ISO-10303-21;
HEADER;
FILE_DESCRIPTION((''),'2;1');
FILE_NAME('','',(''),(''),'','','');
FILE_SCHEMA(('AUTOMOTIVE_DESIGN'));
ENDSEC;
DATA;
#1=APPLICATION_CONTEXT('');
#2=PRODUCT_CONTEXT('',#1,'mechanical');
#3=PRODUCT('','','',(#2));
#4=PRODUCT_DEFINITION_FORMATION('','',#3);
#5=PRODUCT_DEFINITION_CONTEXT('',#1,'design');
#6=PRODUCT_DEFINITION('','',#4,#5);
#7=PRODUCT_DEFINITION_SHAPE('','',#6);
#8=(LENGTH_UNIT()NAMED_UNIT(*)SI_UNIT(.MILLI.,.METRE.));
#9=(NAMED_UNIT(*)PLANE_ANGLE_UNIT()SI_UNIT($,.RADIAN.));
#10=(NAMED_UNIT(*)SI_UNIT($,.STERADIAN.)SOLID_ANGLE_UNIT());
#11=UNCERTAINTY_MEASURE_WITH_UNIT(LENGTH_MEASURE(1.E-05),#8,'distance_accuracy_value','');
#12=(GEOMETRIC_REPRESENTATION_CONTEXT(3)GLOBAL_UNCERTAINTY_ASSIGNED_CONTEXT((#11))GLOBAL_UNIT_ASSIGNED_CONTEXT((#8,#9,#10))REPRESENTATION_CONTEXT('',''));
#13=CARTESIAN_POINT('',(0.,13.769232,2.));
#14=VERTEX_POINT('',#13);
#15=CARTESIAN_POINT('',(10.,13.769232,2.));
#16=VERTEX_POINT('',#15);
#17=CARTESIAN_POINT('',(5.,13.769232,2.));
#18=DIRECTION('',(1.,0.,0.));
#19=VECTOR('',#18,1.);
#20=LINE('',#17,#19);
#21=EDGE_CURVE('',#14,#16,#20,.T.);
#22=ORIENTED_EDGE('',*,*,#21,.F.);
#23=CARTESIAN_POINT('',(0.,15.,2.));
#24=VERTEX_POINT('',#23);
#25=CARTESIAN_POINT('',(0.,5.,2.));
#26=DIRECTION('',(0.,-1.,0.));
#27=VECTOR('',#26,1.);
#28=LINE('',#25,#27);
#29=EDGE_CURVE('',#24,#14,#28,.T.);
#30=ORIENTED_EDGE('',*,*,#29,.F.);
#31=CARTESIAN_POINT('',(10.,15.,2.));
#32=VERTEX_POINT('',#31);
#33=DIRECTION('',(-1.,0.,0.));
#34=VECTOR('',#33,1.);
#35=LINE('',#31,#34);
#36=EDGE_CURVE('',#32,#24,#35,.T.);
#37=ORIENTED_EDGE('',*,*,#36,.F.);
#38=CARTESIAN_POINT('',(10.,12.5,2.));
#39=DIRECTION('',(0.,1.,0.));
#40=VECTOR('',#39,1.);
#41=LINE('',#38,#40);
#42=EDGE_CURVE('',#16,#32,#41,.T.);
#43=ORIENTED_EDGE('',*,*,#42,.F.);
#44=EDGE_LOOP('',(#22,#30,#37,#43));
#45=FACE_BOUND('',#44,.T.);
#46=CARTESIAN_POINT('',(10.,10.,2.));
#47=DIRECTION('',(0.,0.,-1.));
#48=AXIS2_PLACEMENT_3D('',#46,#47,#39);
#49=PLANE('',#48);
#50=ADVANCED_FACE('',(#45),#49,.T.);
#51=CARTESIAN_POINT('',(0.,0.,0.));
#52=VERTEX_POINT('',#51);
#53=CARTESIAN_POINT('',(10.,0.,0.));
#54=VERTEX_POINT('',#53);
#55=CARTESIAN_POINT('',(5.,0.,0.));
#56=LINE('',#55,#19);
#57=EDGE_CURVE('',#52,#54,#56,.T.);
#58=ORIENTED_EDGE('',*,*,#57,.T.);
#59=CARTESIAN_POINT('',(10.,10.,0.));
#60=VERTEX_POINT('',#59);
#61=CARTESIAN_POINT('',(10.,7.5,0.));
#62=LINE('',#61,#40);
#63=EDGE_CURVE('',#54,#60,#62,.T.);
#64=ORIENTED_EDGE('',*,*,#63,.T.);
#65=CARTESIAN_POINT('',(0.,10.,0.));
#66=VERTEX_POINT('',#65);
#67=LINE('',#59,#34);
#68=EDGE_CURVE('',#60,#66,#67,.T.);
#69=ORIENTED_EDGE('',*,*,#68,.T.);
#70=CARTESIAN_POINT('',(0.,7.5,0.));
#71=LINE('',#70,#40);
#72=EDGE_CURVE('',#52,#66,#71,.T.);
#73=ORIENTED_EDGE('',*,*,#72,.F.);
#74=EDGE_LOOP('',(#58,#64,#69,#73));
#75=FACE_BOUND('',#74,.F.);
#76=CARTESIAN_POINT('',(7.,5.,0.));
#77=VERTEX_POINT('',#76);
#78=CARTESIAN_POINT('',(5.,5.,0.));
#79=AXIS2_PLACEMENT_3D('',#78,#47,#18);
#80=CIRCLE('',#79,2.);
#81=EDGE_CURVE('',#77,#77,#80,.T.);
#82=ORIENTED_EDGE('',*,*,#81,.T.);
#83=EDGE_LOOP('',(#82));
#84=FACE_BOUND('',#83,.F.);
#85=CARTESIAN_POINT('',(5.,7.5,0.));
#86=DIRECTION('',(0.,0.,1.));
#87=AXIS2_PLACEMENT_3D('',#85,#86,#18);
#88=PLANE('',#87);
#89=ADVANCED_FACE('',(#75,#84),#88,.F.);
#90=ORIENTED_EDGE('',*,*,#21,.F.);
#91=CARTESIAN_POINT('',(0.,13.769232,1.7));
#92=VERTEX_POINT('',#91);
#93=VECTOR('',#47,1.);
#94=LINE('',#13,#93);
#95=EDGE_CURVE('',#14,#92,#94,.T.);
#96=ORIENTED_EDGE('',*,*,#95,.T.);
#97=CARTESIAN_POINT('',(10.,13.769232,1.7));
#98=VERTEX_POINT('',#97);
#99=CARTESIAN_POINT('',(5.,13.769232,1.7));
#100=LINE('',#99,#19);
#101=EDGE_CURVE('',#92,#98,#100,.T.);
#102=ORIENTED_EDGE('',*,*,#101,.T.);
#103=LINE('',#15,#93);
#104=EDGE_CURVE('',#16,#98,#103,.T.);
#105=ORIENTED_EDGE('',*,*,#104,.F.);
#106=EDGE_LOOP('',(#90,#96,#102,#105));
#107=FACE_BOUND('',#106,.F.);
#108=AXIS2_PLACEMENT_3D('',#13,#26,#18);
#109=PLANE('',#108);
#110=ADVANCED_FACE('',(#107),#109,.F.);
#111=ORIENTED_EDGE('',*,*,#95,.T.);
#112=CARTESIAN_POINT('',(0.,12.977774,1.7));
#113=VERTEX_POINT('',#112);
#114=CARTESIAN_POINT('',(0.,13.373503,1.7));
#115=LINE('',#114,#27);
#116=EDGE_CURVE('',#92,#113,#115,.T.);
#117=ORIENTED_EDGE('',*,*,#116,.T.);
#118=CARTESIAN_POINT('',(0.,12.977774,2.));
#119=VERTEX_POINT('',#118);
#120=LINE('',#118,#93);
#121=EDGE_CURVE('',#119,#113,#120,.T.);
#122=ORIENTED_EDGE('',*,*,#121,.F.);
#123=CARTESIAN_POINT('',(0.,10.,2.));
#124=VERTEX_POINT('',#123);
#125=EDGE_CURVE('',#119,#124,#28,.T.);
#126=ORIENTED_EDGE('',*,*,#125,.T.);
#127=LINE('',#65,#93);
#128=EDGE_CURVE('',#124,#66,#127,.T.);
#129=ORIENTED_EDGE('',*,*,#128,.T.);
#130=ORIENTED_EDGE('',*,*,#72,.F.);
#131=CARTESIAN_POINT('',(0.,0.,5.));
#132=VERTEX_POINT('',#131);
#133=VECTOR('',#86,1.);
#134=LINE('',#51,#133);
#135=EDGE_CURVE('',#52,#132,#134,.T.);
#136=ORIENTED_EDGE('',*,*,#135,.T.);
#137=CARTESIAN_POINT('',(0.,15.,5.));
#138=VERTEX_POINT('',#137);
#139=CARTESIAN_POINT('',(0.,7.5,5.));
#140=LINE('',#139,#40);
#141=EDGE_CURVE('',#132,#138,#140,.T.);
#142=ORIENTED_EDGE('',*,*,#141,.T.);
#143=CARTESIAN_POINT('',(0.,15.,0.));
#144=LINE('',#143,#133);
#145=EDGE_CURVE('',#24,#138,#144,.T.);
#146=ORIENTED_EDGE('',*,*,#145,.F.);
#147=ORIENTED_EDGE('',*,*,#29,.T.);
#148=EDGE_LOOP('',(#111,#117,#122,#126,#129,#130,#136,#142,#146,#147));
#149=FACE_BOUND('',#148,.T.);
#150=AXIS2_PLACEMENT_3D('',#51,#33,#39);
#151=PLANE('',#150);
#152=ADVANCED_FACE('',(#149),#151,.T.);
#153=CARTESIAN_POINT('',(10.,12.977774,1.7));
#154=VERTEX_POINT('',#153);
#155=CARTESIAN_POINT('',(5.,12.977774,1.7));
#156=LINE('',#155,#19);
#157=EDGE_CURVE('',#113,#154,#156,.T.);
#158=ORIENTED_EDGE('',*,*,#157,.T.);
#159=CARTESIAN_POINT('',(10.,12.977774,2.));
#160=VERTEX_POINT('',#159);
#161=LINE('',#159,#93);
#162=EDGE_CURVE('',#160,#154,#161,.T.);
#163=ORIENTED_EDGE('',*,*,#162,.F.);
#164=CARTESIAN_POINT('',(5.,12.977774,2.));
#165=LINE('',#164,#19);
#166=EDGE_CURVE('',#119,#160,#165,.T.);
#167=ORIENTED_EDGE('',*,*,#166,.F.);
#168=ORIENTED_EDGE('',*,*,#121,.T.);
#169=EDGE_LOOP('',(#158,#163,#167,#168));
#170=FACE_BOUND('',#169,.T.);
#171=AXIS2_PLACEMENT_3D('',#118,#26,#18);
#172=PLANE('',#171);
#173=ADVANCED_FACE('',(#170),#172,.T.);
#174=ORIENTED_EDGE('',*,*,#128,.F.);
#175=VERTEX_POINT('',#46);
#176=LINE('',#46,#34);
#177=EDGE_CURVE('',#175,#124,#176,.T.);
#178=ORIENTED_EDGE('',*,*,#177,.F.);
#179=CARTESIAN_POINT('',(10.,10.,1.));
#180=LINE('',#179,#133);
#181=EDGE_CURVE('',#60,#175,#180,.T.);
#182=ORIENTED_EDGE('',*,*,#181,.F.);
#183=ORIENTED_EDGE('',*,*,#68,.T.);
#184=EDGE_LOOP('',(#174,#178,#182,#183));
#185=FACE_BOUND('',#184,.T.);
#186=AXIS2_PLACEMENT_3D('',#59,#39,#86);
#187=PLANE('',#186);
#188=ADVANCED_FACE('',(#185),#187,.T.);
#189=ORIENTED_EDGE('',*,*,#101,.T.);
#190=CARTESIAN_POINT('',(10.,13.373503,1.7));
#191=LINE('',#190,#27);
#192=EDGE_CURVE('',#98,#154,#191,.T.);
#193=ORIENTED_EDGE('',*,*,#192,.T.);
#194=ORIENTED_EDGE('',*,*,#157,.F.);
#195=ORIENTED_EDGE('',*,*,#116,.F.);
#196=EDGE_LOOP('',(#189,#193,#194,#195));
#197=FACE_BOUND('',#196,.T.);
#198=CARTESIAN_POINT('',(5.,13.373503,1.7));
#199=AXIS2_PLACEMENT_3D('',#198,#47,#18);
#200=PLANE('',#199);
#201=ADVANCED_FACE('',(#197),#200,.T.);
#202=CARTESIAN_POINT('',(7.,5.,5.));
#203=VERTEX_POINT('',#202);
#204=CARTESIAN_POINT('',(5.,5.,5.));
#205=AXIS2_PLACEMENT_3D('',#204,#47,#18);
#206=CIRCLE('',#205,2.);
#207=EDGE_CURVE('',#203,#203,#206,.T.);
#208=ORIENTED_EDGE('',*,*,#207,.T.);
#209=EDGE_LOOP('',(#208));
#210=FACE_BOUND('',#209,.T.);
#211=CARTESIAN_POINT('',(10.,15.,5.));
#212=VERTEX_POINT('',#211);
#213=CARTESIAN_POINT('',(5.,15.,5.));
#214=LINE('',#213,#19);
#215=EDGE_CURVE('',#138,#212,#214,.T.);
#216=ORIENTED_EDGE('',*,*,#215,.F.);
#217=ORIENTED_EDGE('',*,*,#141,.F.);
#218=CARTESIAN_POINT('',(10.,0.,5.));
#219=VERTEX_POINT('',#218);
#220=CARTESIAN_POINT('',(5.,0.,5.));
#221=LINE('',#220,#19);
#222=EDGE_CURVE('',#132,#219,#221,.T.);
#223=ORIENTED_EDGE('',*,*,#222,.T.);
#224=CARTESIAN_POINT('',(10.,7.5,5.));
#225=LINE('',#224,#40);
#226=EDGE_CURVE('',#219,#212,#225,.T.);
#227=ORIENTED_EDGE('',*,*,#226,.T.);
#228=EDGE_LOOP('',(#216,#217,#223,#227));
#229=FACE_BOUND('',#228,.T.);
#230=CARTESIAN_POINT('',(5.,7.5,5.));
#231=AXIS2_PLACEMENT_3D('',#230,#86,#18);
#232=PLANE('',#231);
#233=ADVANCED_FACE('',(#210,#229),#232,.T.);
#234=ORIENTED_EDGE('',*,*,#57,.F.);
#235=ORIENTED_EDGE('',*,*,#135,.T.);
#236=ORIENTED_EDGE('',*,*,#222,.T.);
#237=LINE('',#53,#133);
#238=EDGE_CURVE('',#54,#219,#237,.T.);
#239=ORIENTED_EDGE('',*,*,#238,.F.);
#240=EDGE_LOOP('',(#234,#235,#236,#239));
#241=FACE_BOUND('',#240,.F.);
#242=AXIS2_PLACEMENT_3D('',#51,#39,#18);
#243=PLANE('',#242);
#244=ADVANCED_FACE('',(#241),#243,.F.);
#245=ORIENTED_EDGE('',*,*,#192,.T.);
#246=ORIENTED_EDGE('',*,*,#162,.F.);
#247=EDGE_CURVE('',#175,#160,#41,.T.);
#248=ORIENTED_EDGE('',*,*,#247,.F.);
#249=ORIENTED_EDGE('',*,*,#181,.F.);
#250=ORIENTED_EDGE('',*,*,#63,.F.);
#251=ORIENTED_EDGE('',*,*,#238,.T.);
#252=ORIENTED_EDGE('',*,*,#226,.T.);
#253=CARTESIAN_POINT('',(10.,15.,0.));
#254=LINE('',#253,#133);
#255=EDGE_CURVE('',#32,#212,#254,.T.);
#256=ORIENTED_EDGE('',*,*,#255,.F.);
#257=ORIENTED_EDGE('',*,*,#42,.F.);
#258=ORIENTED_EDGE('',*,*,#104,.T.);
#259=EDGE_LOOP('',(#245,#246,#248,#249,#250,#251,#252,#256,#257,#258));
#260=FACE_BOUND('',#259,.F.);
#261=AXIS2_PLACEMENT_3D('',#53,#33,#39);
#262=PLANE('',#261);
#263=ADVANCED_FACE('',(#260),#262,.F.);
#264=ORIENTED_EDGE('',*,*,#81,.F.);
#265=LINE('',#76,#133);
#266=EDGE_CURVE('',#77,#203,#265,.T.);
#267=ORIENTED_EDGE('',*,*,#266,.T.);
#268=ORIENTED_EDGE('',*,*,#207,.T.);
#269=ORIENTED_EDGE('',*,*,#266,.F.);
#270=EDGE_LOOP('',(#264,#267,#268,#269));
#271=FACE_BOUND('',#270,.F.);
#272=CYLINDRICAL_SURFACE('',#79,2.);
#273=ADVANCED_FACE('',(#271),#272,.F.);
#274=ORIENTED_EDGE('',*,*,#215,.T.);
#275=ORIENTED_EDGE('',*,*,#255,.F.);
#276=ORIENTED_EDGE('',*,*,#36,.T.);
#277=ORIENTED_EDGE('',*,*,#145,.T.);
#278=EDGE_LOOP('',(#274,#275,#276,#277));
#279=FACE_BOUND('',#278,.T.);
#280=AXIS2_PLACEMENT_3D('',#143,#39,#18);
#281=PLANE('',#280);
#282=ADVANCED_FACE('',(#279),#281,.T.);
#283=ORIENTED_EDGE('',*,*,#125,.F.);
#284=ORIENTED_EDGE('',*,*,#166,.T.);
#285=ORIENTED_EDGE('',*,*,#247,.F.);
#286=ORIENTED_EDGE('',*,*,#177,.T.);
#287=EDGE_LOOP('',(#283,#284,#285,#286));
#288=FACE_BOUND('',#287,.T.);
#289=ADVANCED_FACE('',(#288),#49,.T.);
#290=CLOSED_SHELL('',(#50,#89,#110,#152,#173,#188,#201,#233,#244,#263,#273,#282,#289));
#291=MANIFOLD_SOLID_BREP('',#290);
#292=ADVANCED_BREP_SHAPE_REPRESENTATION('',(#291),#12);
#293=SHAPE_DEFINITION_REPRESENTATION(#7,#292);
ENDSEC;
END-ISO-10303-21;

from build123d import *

# Parameters (mm, degrees)
F0_W     = 10
F0_H     = 15
F1_DEPTH = 5
F2_W     = 5
F2_H     = 2
F3_DEPTH = 25
F4_R     = 2
F5_DEPTH = 25
F6_W     = 10
F6_H     = 0.791458
F7_DEPTH = 0.3


with BuildPart() as f1:
    # F0 (on Top) → F1 (new body)
    with BuildSketch(Plane.XY):
        with Locations((5, 7.5)):
            Rectangle(F0_W, F0_H)
    extrude(amount=F1_DEPTH)

    # F2 (on face) → F3 (cut)
    with BuildSketch(Plane.YZ.offset(10)):
        with Locations((12.5, 1)):
            Rectangle(F2_W, F2_H)
    extrude(amount=-F3_DEPTH, mode=Mode.SUBTRACT)

    # F4 (on face) → F5 (cut)
    with BuildSketch(Plane(origin=(0, 0, 0), x_dir=(1, 0, 0), z_dir=(0, 0, -1))):
        with Locations((5, -5)):
            Circle(F4_R)
    extrude(amount=-F5_DEPTH, mode=Mode.SUBTRACT)

    # F6 (on face) → F7 (join)
    with BuildSketch(Plane(origin=(0, 0, 2), x_dir=(1, 0, 0), z_dir=(0, 0, -1))):
        with Locations((5, -13.373503)):
            Rectangle(F6_W, F6_H)
    extrude(amount=F7_DEPTH)


solid = f1.part
